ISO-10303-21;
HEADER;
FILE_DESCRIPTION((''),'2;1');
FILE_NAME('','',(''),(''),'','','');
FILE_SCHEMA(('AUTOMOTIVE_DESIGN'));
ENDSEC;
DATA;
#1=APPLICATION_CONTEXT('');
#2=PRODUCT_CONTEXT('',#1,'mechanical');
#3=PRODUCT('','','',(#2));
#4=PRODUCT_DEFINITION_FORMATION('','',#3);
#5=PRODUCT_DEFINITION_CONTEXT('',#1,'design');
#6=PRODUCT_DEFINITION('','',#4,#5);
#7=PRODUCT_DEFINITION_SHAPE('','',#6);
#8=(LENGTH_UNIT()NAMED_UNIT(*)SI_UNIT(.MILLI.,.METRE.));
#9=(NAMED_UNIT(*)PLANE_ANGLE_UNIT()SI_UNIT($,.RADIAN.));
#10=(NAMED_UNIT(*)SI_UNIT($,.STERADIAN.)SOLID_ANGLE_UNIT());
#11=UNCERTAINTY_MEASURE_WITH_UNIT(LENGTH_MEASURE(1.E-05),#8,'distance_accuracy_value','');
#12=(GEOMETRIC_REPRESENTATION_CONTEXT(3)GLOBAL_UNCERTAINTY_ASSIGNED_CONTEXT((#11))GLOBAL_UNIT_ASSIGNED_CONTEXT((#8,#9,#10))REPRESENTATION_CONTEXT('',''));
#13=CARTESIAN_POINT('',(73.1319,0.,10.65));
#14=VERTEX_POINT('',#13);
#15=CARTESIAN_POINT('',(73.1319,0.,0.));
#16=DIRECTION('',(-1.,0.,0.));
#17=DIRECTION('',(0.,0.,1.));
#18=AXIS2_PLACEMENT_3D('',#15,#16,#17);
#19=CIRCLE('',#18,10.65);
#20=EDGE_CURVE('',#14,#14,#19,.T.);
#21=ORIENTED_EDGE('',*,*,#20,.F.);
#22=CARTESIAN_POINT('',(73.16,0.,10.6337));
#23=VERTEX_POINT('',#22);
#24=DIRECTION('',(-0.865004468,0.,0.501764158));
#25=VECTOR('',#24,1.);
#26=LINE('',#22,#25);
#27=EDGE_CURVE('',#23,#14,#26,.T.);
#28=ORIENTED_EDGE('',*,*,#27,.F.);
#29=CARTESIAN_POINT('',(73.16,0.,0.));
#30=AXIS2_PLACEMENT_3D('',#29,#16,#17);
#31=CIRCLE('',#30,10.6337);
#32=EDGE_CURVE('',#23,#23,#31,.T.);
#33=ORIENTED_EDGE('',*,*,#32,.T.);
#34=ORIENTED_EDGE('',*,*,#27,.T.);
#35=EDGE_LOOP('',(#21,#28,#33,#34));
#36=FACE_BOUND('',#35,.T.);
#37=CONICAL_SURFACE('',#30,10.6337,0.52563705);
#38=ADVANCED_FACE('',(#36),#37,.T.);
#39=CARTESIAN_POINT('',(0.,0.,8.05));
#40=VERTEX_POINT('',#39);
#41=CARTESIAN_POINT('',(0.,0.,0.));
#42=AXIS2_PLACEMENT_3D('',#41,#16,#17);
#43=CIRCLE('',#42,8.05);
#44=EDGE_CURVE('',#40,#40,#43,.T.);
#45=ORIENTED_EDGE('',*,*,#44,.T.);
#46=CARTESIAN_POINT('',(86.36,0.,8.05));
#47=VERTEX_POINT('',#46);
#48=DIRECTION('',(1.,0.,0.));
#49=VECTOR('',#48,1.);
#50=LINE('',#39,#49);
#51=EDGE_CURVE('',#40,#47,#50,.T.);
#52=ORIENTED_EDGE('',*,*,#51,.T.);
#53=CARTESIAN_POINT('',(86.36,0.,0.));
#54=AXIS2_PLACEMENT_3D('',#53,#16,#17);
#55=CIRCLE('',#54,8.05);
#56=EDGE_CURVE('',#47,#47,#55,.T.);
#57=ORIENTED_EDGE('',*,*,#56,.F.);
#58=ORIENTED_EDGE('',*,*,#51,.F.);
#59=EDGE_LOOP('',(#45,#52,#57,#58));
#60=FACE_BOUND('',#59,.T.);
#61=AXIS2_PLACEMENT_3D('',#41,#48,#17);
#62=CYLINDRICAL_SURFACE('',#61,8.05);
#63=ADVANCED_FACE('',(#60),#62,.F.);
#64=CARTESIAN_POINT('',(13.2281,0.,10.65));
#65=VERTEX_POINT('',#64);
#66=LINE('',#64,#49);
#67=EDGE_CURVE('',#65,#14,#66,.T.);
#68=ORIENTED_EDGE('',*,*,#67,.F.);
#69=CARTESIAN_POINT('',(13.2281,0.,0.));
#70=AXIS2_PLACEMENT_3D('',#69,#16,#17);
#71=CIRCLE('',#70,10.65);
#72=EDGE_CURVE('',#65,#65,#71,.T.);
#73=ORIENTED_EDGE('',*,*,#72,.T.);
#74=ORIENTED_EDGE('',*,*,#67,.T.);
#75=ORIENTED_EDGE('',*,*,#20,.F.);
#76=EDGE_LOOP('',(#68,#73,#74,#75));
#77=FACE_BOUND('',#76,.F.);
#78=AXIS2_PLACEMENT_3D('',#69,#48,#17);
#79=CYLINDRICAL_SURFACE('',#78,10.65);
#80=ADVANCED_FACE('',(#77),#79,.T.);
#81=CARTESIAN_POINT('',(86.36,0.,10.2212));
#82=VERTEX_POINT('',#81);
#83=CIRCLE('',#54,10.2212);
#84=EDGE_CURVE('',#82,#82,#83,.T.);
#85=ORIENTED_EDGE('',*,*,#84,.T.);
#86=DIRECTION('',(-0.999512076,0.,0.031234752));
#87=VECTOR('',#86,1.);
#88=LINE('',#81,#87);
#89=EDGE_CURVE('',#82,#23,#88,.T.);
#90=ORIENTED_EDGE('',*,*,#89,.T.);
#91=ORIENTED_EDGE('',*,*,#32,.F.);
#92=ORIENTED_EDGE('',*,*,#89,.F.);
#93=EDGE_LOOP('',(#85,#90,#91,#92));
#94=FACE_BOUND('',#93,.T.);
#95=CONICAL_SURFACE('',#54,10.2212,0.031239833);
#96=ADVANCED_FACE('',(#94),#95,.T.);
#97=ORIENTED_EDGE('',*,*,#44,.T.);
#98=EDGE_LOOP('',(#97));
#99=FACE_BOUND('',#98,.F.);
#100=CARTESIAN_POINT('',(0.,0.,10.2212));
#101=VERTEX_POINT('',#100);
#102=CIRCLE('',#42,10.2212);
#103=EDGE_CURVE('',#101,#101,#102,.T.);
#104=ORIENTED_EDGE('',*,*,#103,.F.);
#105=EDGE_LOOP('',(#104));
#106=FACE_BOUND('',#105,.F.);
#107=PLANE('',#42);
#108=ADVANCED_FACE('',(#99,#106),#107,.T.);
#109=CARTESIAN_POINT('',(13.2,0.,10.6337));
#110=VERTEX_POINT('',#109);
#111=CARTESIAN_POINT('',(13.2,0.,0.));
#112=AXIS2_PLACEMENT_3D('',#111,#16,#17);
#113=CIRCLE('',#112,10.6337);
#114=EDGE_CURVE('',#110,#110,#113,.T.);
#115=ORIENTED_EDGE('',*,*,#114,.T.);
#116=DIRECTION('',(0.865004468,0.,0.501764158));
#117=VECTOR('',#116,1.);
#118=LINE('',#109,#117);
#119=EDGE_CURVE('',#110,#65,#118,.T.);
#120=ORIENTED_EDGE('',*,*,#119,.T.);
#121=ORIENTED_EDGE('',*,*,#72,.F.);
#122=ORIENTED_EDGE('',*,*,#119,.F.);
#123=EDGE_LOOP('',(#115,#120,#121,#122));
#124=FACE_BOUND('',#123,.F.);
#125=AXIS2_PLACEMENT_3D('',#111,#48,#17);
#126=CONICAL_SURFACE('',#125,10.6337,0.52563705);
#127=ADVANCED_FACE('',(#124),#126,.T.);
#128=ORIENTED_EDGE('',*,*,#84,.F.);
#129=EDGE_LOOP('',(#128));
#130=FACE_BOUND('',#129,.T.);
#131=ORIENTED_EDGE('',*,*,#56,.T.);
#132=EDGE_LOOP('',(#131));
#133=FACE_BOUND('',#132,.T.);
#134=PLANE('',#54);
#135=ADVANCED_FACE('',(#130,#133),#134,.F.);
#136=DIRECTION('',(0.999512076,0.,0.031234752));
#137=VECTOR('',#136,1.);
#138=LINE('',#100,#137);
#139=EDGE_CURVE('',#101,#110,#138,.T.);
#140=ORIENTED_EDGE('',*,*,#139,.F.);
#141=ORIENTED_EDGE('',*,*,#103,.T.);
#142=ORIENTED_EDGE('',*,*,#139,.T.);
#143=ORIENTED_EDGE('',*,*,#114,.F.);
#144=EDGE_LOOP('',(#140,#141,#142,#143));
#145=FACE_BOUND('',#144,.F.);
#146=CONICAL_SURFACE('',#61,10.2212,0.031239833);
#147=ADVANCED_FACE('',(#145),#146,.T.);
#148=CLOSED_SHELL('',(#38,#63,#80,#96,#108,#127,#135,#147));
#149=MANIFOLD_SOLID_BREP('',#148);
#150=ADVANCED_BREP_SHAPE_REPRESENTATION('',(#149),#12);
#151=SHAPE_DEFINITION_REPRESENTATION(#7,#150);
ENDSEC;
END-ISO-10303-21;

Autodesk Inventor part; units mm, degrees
ref_plane "YZ Plane" through (0, 0, 0) normal (1, 0, 0) x (0, 1, 0)
ref_plane "XZ Plane" through (0, 0, 0) normal (0, 1, 0) x (-1, 0, 0)
ref_plane "XY Plane" through (0, 0, 0) normal (0, 0, 1) x (1, 0, 0)
sketch "Sketch1" plane through (0, 0, 0) normal (0, 1, 0) x (-1, 0, 0)
  line L0 (-86.36, 0) -> (0, 0)
  line L1 (0, 0) -> (0, 8.05) construction
  line L2 (0, 8.05) -> (0, 10.2212)
  line L3 (0, 10.2212) -> (-13.2, 10.6337)
  line L4 (-13.2, 10.6337) -> (-13.2281, 10.65)
  line L5 (-13.2281, 10.65) -> (-73.1319, 10.65)
  line L6 (0, 8.05) -> (-86.36, 8.05)
  line L7 (-43.18, 0) -> (-43.18, 10.65) construction
  line L8 (-86.36, 0) -> (-86.36, 8.05) construction
  line L9 (-86.36, 8.05) -> (-86.36, 10.2212)
  line L10 (-86.36, 10.2212) -> (-73.16, 10.6337)
  line L11 (-73.16, 10.6337) -> (-73.1319, 10.65)
  line L12 (-8.2, 10.4775) -> (-8.2, 0) construction
  line L13 (-13.2, 10.6337) -> (-13.2, 0) construction
  line L14 (-73.16, 10.6337) -> (-73.16, 0) construction
  dimension "d0" = 8.2
  dimension "d1" = 13.2
  dimension "d2" = 1.79
  dimension "d3" = 20.955
  dimension "d4" = 21.3
  dimension "d5" = 2.6
  dimension "d6" = 86.36
  dimension "d7" = 30
revolve "Revolution1" add sketch "Sketch1" angle 360 about axis through (86.36, 0, 0) along (-1, 0, 0)
thread "Thread1" size "R 1/2" standard "ISO Taper" full length
thread "Thread2" size "R 1/2" standard "ISO Taper" full length
equation "\"d0\" = a"
equation "\"d1\" = LT"
equation "\"d3\" = MjD"
equation "\"d4\" = OD"
equation "\"d5\" = T"
equation "\"d6\" = L"
equation "\"OD\" = 21.3"
equation "\"T\" = 2.6"
equation "\"L\" = PL"
equation "\"LT\" = 13.2"
equation "\"ID\" = 16.1"
equation "\"PL\" = 86.36"
equation "\"MjD\" = 20.955"
equation "\"a\" = 8.2"
equation "\"Size_Designation\" = 1.2345"
equation "\"PLmin\" = 2 * LT + T"
properties material "Stainless Steel"
